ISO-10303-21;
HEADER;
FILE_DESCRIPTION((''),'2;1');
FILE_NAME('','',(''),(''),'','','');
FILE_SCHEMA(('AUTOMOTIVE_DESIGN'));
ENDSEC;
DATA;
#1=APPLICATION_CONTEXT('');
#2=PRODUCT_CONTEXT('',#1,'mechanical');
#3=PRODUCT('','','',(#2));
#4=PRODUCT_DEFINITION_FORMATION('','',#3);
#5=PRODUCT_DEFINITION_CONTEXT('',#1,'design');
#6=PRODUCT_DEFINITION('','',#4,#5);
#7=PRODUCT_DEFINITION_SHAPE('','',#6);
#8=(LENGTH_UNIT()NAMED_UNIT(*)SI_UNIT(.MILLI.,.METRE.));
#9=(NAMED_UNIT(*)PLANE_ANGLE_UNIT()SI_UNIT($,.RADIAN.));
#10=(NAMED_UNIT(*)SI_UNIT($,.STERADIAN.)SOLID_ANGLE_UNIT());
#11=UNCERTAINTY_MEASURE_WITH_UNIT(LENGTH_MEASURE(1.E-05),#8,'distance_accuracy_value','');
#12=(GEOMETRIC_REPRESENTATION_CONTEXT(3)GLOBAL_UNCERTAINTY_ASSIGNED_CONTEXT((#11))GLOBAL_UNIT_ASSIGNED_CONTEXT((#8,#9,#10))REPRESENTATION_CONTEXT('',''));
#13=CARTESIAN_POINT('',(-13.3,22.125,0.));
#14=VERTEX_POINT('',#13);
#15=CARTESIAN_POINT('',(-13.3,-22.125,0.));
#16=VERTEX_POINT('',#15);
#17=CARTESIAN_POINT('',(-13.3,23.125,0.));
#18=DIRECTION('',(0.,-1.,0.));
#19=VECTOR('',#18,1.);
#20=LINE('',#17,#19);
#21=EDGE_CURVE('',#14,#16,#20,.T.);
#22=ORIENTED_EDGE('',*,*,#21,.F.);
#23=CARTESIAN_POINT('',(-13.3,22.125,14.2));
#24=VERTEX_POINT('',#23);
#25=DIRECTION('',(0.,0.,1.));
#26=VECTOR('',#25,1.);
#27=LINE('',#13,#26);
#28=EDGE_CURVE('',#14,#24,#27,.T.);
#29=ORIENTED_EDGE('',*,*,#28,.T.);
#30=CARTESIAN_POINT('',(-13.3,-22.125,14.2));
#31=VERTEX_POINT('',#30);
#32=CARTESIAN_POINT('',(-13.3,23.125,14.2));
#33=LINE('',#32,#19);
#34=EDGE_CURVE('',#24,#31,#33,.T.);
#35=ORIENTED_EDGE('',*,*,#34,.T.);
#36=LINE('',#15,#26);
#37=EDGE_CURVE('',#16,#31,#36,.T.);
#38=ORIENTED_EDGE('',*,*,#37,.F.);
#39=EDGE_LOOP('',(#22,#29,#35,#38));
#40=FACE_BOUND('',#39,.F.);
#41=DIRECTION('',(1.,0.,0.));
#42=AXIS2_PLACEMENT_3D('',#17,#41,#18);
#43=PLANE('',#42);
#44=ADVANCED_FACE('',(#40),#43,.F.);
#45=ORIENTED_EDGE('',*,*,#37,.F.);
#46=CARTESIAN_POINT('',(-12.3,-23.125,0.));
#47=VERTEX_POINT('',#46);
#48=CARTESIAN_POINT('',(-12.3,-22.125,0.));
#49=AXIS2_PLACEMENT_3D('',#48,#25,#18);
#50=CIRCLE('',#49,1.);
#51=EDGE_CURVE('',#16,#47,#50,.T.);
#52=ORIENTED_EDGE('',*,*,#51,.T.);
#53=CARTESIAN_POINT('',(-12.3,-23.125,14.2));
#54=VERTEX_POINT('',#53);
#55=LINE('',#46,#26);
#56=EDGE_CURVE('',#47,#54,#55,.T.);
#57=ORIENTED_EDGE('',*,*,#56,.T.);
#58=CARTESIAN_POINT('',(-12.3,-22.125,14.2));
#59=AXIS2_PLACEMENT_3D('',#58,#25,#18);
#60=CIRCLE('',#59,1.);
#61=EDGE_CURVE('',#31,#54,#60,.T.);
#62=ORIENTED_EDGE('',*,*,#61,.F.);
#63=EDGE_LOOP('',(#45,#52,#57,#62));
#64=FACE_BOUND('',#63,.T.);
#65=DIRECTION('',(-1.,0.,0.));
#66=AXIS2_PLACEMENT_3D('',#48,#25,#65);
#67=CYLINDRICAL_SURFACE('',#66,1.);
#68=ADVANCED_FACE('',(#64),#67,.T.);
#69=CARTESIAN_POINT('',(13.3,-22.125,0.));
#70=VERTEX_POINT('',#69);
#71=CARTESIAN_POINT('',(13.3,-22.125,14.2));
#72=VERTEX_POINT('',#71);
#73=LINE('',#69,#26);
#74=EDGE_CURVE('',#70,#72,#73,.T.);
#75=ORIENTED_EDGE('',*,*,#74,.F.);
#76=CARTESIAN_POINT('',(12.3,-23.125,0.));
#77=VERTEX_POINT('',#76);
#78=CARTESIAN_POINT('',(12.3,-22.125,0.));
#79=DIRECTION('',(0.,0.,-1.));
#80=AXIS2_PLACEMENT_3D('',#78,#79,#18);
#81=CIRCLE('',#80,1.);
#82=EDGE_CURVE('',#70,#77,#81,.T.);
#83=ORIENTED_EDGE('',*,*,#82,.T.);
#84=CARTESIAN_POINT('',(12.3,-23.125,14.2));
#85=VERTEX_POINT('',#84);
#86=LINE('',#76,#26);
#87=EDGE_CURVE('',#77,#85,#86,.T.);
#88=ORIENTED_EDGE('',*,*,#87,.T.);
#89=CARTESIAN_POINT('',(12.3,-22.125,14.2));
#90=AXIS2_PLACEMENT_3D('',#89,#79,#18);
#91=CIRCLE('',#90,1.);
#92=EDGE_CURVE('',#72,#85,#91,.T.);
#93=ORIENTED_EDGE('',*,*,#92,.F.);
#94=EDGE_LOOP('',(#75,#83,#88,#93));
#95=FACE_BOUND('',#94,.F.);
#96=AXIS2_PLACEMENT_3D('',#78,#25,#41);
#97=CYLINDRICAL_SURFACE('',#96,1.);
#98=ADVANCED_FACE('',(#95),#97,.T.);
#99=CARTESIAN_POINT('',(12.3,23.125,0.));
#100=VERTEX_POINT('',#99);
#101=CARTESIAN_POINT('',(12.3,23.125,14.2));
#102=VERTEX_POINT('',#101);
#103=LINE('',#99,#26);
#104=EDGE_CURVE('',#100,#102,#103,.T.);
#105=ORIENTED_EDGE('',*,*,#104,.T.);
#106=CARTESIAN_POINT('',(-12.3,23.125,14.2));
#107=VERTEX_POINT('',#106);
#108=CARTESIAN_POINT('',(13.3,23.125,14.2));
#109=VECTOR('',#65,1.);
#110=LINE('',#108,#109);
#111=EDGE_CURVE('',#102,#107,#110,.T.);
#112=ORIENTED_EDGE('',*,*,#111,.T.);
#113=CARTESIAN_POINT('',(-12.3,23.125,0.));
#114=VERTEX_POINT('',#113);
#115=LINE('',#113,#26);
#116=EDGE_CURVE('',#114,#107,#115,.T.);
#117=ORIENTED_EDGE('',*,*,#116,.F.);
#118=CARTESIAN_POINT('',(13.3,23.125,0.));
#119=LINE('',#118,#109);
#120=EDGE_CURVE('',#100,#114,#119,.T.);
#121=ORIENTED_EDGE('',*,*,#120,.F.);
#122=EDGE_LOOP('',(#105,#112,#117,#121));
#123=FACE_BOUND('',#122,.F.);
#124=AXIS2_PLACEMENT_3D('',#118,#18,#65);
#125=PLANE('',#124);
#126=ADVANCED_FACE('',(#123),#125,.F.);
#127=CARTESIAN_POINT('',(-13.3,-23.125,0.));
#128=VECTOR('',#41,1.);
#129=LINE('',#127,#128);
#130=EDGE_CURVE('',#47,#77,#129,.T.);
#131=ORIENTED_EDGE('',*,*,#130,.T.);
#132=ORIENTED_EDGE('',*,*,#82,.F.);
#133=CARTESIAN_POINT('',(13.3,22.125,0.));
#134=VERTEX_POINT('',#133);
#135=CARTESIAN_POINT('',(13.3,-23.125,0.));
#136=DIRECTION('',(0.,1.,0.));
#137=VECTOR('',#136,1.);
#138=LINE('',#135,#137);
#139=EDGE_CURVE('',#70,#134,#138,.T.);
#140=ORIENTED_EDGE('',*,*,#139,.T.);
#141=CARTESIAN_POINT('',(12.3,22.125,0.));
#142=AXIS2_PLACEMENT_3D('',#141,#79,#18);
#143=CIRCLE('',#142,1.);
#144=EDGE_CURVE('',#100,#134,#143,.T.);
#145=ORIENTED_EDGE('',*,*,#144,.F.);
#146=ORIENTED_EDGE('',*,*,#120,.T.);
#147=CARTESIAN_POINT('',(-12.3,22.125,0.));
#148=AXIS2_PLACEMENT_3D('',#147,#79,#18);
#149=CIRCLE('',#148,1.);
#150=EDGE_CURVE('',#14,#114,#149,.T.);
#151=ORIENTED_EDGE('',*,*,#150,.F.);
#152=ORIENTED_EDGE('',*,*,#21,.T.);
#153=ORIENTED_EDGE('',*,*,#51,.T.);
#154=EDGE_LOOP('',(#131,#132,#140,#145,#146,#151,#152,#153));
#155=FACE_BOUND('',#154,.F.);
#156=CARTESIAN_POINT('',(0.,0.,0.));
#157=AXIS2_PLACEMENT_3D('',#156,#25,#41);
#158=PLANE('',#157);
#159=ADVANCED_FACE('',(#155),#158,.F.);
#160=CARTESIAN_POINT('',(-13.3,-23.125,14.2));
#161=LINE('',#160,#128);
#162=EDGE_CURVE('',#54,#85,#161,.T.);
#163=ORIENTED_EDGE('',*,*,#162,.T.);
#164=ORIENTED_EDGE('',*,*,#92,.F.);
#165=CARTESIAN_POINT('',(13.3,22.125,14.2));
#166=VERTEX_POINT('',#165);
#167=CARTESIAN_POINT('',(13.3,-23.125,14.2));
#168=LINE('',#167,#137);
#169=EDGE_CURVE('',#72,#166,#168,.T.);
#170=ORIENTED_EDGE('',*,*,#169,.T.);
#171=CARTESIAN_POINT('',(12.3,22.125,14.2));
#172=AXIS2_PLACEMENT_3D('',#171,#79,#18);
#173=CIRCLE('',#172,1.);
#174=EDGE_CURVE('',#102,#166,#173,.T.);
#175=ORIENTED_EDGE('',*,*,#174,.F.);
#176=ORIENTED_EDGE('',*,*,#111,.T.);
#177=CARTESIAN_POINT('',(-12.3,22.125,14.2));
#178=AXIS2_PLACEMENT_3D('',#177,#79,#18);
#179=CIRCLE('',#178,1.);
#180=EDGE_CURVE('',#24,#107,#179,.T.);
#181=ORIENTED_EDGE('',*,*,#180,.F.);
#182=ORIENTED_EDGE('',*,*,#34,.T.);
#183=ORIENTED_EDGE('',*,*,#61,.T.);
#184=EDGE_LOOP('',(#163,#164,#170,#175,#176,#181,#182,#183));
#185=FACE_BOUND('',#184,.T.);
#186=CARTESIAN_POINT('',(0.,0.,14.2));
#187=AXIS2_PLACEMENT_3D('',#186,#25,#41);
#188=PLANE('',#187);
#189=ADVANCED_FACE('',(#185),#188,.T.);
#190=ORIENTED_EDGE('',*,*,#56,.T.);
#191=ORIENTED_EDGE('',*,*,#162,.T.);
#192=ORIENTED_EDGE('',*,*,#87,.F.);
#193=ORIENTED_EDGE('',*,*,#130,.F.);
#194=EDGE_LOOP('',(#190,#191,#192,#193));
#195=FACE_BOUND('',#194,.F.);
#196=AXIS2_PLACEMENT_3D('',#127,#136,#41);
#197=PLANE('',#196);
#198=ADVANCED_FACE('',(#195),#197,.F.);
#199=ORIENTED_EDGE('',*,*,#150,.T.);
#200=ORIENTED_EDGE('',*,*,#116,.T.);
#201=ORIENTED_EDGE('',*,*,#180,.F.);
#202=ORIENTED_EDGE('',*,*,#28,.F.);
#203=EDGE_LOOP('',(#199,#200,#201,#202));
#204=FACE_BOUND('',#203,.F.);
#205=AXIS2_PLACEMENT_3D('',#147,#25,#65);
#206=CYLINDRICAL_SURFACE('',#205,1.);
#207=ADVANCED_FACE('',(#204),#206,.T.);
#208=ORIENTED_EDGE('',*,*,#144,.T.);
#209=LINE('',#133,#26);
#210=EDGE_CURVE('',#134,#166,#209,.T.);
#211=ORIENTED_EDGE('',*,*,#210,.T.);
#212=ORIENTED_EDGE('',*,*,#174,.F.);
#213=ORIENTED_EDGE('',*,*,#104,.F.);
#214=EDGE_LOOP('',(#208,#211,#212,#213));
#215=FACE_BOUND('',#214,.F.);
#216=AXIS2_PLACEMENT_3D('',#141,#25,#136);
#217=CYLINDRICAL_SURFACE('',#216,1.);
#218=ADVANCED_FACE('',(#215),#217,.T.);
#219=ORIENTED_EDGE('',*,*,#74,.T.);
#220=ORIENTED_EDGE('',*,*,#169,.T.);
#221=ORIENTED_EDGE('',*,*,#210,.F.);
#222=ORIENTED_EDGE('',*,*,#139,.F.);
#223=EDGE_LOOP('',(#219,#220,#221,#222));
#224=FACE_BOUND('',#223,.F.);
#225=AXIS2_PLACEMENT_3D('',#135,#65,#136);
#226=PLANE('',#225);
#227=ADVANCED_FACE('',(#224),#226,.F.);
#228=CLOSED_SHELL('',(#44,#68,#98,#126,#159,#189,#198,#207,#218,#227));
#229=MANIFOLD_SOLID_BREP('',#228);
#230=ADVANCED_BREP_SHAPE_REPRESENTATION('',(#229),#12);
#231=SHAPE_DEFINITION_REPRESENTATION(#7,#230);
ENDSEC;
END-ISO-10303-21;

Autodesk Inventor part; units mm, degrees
ref_plane "YZ Plane" through (0, 0, 0) normal (1, 0, 0) x (0, 1, 0)
ref_plane "XZ Plane" through (0, 0, 0) normal (0, 1, 0) x (-1, 0, 0)
ref_plane "XY Plane" through (0, 0, 0) normal (0, 0, 1) x (1, 0, 0)
sketch "Sketch1" plane through (0, 0, 0) normal (0, 0, 1) x (1, 0, 0)
  line L0 (-13.3, -23.125) -> (13.3, -23.125)
  line L1 (13.3, -23.125) -> (13.3, 23.125)
  line L2 (13.3, 23.125) -> (-13.3, 23.125)
  line L3 (-13.3, 23.125) -> (-13.3, -23.125)
  line L4 (-13.3, -23.125) -> (13.3, 23.125) construction
  line L5 (13.3, -23.125) -> (-13.3, 23.125) construction
  point P0 (0, 0)
  dimension "d0" = 26.6
  dimension "d1" = 46.25
extrude "Extrusion1" add sketch "Sketch1" along normal blind 14.2
fillet "Fillet1" radius 1 4 edges at (13.3, -23.125, 7.1) (-13.3, -23.125, 7.1) (13.3, 23.125, 7.1) (-13.3, 23.125, 7.1)
properties part number "FrSky_RX8R"
